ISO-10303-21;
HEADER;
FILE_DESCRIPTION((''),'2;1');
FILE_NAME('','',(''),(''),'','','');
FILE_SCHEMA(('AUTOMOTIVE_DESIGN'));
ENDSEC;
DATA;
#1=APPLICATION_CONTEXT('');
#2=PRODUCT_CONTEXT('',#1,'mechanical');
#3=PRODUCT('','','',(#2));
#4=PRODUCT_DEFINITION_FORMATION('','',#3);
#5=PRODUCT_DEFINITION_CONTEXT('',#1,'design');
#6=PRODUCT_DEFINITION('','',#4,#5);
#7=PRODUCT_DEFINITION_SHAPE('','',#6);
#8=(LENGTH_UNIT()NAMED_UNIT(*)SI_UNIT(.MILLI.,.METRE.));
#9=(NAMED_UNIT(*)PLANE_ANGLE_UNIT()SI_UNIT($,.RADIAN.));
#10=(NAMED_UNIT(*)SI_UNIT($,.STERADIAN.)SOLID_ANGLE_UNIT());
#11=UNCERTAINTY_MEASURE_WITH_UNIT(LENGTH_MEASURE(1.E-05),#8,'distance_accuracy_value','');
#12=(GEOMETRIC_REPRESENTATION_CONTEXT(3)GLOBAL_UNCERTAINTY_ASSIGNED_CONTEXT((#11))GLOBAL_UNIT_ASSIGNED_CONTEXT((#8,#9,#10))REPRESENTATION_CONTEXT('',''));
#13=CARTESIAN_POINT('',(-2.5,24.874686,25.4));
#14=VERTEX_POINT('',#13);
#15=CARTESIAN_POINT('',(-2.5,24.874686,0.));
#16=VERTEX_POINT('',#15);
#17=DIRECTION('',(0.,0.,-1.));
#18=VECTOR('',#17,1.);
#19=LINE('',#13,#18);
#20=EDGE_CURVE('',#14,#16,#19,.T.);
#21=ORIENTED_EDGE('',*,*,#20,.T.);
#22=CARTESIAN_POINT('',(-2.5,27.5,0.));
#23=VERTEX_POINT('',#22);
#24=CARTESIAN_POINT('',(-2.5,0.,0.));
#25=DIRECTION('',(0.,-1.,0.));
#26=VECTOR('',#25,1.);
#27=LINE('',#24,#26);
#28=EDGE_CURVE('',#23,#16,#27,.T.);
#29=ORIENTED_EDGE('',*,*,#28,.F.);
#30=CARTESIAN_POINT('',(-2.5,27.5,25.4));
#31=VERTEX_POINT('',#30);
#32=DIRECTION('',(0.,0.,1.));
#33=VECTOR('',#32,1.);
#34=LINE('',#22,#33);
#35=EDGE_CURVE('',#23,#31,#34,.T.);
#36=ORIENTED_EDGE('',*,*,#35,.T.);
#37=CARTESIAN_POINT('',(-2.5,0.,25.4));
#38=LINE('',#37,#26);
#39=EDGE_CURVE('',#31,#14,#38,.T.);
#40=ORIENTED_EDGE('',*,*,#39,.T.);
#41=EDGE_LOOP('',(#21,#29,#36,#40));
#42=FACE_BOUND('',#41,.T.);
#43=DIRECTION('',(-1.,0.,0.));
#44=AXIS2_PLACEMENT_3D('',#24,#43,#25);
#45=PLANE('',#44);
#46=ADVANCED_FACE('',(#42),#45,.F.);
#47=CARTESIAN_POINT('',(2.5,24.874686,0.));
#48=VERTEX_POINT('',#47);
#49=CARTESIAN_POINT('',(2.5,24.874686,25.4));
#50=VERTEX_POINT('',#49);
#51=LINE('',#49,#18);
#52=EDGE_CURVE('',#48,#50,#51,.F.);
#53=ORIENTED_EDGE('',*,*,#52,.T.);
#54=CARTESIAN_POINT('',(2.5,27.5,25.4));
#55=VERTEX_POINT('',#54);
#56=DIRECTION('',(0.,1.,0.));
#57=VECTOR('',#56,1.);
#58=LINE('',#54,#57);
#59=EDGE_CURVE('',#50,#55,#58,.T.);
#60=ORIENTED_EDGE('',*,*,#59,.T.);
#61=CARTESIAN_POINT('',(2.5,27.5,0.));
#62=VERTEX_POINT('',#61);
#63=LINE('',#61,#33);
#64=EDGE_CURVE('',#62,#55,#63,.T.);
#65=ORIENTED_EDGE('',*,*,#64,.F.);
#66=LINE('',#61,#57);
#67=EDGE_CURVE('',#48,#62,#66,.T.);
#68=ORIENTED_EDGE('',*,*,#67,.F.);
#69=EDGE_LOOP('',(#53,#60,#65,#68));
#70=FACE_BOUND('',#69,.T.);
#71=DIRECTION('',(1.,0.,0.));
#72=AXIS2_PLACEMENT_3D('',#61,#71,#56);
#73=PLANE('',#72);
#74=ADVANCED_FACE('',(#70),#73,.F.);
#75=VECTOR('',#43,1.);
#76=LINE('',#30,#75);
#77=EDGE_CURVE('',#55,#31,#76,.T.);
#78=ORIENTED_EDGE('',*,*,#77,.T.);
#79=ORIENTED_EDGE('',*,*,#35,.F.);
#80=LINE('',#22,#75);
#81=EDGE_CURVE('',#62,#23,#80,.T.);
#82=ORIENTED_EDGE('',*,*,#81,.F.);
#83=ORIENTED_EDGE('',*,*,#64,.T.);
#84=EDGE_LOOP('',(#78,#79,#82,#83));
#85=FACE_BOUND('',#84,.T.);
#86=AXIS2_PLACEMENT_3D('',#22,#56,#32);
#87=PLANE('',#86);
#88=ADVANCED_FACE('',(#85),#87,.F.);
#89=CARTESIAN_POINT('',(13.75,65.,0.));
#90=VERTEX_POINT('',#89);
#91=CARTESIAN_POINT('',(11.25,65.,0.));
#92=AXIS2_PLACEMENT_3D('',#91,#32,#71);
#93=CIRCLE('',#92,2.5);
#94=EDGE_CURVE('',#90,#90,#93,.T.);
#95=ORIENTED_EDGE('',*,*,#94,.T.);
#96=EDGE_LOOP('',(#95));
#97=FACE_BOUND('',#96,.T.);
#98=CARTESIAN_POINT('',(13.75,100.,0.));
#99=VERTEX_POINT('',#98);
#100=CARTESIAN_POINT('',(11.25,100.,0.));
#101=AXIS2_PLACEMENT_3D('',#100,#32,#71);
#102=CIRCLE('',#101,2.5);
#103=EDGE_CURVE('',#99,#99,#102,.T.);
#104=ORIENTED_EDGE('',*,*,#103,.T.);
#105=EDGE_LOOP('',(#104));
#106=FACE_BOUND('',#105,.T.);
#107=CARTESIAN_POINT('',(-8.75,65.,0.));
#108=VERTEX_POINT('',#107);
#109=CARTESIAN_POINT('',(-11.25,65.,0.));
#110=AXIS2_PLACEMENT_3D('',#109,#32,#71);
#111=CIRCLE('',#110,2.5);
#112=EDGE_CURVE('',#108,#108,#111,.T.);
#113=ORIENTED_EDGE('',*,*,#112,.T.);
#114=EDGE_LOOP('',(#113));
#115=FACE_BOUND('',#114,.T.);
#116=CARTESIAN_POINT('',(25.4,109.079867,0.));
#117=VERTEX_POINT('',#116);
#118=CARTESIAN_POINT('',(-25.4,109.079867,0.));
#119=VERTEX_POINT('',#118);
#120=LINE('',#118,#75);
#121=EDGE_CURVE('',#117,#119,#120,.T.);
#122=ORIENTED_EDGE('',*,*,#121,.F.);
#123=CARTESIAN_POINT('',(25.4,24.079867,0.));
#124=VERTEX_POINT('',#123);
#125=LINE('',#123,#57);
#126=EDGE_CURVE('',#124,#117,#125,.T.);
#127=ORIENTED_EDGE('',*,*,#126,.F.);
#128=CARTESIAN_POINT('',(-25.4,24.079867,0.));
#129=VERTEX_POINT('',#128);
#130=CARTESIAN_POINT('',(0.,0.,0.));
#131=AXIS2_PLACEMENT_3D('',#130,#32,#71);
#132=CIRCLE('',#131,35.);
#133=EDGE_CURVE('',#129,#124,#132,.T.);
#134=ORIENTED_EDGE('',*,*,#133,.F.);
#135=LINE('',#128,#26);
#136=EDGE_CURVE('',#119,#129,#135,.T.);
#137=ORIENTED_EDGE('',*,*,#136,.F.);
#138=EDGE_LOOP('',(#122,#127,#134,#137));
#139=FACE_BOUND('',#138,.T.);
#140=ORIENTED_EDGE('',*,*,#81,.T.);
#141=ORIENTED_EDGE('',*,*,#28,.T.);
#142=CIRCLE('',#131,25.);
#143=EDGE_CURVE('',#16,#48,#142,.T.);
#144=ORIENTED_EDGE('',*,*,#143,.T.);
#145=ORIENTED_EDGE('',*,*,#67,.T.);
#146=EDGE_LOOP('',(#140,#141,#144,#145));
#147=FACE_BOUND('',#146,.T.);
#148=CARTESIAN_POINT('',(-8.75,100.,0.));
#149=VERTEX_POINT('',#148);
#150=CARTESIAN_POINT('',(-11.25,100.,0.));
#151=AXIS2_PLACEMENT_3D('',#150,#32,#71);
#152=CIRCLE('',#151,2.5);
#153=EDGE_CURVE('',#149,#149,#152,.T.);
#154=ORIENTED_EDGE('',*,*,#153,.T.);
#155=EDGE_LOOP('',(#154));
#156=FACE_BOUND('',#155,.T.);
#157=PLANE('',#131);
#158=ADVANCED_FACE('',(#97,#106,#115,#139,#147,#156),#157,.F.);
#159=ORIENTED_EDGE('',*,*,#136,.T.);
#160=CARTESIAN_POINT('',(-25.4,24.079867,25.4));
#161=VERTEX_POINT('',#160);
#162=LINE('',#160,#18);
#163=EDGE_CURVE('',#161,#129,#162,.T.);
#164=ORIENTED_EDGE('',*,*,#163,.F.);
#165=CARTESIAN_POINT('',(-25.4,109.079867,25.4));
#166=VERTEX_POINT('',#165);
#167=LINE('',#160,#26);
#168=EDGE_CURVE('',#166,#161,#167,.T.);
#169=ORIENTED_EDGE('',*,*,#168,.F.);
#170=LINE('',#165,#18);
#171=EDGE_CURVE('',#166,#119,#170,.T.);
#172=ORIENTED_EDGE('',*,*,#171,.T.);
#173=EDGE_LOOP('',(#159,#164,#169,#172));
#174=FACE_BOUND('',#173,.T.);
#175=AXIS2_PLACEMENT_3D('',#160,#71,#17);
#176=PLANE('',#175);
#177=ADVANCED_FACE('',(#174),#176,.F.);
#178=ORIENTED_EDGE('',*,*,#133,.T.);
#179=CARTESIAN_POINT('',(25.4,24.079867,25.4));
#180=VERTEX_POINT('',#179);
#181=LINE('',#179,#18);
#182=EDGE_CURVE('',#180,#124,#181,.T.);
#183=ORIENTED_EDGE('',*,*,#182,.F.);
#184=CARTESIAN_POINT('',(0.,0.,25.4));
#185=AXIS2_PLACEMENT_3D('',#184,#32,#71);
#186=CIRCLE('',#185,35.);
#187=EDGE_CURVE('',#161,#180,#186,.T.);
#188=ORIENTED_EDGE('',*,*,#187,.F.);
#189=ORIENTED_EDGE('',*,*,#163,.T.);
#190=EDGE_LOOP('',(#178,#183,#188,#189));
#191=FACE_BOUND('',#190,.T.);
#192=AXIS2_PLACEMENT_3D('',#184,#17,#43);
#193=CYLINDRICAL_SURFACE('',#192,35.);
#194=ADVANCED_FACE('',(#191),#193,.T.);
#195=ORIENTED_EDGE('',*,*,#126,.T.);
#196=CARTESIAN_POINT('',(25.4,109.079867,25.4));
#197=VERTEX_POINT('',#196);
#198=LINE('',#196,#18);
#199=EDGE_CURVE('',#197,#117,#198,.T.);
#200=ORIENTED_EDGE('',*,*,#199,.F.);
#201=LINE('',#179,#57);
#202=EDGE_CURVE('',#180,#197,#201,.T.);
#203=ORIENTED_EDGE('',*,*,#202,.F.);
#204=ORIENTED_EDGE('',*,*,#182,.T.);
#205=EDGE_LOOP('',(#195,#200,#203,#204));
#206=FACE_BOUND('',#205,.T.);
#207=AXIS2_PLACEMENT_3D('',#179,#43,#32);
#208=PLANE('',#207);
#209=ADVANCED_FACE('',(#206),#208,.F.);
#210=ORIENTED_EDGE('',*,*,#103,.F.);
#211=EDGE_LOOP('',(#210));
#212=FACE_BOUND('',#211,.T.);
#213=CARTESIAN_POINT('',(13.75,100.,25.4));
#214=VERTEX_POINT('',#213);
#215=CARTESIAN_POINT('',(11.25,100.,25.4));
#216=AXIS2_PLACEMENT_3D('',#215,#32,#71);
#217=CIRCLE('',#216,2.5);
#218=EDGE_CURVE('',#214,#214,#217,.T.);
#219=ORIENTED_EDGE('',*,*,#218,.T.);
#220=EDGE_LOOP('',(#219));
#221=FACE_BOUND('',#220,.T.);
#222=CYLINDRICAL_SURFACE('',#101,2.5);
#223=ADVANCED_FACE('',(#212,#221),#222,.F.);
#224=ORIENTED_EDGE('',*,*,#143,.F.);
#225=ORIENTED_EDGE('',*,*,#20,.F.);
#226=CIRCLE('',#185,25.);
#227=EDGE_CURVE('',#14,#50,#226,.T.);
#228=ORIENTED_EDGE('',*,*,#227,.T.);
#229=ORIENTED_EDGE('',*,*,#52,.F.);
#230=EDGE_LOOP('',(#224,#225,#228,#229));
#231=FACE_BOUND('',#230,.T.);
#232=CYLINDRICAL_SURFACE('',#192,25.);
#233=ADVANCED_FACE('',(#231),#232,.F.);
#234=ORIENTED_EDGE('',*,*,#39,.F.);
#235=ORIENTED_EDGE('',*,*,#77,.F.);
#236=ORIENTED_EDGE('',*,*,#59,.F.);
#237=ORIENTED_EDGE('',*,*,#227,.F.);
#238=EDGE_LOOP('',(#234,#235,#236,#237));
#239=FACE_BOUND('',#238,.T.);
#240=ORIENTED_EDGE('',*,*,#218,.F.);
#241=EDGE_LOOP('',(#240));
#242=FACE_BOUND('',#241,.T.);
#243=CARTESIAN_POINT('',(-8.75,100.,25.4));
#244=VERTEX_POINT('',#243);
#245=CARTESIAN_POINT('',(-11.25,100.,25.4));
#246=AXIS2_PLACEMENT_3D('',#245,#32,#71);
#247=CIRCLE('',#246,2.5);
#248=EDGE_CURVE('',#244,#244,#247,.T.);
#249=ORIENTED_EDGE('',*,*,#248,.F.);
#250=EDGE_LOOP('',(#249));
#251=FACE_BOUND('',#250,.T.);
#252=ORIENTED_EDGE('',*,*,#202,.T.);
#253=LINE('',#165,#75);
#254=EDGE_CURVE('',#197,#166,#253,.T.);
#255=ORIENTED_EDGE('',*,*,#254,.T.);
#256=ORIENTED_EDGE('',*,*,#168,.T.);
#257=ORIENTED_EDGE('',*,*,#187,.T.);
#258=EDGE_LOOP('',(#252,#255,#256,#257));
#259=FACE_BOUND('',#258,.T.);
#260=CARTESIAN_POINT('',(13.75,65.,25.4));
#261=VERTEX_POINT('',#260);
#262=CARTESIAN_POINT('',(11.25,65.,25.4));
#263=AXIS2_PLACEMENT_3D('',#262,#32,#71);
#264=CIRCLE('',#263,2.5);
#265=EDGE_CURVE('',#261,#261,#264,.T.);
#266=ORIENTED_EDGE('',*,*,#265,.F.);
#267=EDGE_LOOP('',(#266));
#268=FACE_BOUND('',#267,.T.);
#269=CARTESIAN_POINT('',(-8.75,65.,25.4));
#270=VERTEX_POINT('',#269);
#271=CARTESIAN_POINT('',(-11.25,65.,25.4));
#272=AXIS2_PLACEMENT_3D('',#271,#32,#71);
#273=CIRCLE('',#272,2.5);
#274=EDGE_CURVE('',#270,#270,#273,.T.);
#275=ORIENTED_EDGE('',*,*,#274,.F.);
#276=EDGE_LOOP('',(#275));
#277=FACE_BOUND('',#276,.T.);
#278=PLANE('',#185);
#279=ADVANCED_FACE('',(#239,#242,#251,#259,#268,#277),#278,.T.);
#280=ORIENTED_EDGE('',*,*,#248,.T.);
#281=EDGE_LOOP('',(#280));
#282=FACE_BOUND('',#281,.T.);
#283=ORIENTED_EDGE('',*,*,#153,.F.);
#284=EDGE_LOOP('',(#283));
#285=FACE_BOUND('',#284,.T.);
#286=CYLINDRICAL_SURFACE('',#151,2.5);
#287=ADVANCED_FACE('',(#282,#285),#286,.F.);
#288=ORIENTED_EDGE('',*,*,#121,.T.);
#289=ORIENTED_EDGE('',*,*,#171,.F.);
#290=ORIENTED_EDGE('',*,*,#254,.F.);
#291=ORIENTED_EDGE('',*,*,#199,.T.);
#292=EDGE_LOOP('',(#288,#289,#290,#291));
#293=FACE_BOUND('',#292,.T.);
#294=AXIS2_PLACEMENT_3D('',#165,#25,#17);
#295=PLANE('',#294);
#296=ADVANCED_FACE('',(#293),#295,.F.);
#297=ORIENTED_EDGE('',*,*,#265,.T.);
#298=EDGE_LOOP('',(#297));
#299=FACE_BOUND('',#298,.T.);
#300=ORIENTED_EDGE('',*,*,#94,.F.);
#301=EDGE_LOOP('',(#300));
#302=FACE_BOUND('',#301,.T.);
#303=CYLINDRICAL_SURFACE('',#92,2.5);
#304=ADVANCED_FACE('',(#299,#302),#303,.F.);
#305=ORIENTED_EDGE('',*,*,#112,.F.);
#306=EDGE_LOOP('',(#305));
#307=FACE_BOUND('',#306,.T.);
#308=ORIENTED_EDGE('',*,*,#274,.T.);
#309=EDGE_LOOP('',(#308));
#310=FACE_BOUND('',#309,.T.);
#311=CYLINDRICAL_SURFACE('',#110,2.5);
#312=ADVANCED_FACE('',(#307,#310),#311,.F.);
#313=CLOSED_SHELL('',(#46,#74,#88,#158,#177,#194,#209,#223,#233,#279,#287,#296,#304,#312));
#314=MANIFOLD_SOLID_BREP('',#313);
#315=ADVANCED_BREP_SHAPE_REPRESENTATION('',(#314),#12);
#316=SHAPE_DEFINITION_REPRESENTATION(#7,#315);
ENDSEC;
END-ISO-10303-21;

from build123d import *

# Parameters (mm, degrees)
SKETCH1_R           = 25
BOSS_EXTRUDE1_DEPTH = 25.4
SKETCH2_W           = 5
SKETCH2_H           = 27.5
CUT_EXTRUDE1_DEPTH  = 118.339581594
SKETCH3_R           = 2.5
CUT_EXTRUDE2_DEPTH  = 118.339581594


with BuildPart() as part:
    # Sketch1 → Boss-Extrude1 (new body)
    with BuildSketch(Plane.XY):
        with BuildLine():
            Line((-25.4, 24.079867109), (-25.4, 109.079867109))
            Line((-25.4, 109.079867109), (25.4, 109.079867109))
            Line((25.4, 109.079867109), (25.4, 24.079867109))
            ThreePointArc((25.4, 24.079867109), (0, -35), (-25.4, 24.079867109))
        make_face()
        Circle(SKETCH1_R, mode=Mode.SUBTRACT)
    extrude(amount=BOSS_EXTRUDE1_DEPTH)

    # Sketch2 → Cut-Extrude1 (cut, through all)
    with BuildSketch(Plane.XY.offset(25.4)):
        with Locations((0, 13.75)):
            Rectangle(SKETCH2_W, SKETCH2_H)
    extrude(amount=-CUT_EXTRUDE1_DEPTH, mode=Mode.SUBTRACT)

    # Sketch3 → Cut-Extrude2 (cut, through all)
    with BuildSketch(Plane.XY.offset(25.4)):
        with Locations((-11.25, 100)):
            Circle(SKETCH3_R)
        with Locations((11.25, 100)):
            Circle(SKETCH3_R)
        with Locations((11.25, 65)):
            Circle(SKETCH3_R)
        with Locations((-11.25, 65)):
            Circle(SKETCH3_R)
    extrude(amount=-CUT_EXTRUDE2_DEPTH, mode=Mode.SUBTRACT)


solid = part.part
